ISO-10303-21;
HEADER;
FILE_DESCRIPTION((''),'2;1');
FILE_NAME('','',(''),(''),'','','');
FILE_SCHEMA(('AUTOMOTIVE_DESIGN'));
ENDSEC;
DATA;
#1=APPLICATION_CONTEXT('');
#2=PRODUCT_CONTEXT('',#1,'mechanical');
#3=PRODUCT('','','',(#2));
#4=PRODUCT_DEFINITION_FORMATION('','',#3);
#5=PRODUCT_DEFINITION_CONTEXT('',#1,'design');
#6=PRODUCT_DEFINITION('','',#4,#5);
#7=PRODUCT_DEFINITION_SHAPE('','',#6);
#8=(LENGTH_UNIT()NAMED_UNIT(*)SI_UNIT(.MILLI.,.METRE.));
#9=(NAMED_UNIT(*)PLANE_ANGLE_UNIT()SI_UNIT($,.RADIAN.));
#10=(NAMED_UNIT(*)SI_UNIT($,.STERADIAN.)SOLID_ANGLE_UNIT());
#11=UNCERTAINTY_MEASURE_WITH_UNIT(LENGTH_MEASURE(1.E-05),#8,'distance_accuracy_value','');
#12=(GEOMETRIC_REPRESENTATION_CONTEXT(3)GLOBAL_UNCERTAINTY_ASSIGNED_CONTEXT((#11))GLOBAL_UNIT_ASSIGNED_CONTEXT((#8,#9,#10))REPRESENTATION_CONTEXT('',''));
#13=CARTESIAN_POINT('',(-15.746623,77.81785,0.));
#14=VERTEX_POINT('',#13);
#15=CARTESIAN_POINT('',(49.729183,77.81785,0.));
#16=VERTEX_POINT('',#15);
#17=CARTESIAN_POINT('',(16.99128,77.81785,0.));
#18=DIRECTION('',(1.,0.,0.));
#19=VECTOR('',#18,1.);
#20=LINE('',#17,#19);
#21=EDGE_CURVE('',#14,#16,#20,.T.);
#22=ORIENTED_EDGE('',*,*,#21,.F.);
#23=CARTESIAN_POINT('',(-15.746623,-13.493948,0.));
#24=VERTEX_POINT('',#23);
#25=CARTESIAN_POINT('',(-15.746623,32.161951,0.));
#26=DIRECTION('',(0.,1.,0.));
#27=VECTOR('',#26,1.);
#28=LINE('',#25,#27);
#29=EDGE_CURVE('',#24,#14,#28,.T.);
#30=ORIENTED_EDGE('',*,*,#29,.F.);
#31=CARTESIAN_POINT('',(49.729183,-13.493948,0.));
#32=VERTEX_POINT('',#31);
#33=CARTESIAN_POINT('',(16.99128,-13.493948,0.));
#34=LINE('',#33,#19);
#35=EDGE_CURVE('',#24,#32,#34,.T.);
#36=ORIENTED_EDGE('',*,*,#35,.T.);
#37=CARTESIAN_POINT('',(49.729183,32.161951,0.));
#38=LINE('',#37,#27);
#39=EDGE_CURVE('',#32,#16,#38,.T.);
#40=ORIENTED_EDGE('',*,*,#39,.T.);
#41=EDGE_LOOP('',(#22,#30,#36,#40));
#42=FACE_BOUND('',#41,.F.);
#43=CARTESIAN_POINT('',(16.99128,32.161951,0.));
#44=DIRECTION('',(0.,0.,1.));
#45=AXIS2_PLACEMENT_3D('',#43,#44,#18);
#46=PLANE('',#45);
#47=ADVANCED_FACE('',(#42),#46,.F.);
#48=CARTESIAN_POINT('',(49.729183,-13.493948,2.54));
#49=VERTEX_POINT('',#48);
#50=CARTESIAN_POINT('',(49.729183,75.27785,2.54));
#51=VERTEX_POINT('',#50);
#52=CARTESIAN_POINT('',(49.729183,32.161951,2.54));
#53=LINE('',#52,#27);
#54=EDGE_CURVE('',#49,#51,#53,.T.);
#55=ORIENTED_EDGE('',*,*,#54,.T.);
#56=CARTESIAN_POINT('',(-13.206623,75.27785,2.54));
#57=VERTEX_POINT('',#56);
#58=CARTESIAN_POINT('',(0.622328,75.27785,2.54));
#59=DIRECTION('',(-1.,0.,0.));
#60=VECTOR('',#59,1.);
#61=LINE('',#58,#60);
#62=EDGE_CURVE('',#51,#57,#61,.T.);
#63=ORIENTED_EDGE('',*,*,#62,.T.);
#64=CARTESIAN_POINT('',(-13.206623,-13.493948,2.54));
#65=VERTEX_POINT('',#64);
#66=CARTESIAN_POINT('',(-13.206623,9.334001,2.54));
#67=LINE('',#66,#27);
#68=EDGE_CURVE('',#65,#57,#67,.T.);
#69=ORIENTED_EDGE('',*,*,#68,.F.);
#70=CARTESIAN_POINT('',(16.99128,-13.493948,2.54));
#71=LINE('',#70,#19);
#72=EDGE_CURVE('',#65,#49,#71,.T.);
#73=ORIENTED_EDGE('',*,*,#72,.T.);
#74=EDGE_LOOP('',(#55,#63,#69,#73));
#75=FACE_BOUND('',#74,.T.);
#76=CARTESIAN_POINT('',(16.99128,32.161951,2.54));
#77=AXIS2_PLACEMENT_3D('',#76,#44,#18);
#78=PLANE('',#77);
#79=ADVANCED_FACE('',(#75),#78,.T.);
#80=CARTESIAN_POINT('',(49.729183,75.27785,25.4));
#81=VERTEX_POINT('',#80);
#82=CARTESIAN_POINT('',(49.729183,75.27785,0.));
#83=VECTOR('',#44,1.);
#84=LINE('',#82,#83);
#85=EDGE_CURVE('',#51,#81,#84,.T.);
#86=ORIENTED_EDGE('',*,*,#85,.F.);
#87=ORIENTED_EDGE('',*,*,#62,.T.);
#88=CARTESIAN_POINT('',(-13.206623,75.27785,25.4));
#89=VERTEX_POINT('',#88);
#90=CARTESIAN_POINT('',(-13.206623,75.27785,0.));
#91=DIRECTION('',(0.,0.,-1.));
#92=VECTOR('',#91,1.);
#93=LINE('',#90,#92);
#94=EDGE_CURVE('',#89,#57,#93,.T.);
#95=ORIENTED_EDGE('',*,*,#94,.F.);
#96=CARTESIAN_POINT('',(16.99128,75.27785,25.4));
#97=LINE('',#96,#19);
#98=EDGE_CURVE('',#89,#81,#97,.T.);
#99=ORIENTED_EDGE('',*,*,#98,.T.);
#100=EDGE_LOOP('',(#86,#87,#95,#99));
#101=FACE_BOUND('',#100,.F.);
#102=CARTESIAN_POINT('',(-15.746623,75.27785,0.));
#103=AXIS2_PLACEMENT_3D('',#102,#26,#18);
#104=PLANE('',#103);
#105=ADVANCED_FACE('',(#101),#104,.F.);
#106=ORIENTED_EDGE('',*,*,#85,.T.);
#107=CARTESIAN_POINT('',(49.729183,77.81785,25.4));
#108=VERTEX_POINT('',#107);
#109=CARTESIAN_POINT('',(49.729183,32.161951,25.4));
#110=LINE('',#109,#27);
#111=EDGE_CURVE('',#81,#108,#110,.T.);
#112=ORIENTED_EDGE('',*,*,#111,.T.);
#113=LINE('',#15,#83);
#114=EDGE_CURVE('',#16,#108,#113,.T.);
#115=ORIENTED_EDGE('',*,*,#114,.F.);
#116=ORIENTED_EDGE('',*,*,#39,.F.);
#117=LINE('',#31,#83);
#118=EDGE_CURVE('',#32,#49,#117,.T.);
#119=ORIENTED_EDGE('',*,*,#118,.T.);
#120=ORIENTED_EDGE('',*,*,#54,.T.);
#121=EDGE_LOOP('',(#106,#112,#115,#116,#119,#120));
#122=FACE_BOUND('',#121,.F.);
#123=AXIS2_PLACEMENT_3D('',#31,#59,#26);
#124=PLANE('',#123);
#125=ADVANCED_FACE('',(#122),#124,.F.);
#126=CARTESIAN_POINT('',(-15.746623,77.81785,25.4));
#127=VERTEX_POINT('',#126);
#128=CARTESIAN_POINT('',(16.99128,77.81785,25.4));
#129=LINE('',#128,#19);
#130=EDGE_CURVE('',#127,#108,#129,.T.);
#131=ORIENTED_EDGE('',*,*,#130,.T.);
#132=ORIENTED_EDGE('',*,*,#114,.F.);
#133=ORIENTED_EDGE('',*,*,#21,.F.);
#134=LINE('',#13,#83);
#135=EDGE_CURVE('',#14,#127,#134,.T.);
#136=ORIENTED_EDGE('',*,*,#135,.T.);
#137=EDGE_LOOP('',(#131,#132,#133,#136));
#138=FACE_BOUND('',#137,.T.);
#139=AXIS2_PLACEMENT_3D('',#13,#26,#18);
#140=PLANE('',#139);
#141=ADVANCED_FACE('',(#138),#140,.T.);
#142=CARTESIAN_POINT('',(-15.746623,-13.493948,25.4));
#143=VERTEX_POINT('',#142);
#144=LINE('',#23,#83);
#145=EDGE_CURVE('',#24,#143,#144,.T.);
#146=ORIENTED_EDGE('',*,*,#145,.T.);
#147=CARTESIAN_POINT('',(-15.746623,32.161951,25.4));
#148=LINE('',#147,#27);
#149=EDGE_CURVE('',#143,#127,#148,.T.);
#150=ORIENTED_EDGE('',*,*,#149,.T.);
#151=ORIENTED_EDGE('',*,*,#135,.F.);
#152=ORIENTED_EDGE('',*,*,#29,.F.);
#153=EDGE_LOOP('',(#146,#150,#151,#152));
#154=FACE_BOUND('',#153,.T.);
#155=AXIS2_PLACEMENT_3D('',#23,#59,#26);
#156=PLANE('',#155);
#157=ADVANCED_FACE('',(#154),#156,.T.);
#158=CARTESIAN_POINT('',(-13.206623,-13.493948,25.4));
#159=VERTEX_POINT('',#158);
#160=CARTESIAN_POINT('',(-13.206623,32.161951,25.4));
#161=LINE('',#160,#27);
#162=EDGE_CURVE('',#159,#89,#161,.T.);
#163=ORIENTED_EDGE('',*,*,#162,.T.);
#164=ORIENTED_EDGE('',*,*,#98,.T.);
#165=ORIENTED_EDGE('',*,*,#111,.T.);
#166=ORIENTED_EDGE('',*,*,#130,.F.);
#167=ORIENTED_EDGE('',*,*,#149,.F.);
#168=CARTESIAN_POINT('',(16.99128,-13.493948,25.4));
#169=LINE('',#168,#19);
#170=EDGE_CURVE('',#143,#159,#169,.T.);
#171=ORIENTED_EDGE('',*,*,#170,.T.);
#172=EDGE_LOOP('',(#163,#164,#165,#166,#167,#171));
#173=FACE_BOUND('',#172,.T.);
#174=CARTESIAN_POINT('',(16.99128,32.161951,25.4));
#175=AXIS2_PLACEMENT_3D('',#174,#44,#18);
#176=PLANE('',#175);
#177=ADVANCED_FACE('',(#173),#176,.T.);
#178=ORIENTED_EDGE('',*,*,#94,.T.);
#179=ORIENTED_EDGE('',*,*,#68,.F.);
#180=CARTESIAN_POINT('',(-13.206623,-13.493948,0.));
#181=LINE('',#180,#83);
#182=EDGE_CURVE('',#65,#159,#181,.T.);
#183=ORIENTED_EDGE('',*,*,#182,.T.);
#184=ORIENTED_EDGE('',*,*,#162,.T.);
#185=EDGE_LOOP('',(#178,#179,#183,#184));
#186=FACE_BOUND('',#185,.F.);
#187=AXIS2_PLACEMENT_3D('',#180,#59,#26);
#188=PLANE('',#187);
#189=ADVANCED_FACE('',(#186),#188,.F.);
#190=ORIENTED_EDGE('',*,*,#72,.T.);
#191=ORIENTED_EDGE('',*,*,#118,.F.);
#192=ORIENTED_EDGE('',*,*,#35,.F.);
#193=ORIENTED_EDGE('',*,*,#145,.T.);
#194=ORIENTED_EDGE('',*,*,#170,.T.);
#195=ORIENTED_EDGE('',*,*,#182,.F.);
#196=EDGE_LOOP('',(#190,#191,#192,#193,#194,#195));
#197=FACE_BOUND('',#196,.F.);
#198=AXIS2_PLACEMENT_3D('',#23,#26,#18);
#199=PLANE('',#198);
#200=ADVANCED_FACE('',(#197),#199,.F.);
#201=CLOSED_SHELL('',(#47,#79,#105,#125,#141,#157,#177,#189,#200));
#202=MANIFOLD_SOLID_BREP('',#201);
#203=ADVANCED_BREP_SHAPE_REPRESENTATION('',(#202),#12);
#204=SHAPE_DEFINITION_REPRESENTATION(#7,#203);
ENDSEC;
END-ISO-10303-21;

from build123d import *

# Parameters (mm, degrees)
F2_W     = 65.475806
F2_H     = 91.311798
F0_DEPTH = 25.4
F1_T     = -2.54


with BuildPart() as f0:
    # F2 (on Top) → F0 (new body)
    with BuildSketch(Plane.XY):
        with Locations((16.99128, 32.161951)):
            Rectangle(F2_W, F2_H)
    extrude(amount=F0_DEPTH)

    # F1
    f1_openings = [f0.faces().sort_by_distance(p)[0] for p in [
        (49.729183, 32.161951, 12.7),
        (16.99128, -13.493948, 12.7),
        (16.99128, 32.161951, 25.4),
    ]]
    offset(amount=F1_T, openings=f1_openings)


solid = f0.part
